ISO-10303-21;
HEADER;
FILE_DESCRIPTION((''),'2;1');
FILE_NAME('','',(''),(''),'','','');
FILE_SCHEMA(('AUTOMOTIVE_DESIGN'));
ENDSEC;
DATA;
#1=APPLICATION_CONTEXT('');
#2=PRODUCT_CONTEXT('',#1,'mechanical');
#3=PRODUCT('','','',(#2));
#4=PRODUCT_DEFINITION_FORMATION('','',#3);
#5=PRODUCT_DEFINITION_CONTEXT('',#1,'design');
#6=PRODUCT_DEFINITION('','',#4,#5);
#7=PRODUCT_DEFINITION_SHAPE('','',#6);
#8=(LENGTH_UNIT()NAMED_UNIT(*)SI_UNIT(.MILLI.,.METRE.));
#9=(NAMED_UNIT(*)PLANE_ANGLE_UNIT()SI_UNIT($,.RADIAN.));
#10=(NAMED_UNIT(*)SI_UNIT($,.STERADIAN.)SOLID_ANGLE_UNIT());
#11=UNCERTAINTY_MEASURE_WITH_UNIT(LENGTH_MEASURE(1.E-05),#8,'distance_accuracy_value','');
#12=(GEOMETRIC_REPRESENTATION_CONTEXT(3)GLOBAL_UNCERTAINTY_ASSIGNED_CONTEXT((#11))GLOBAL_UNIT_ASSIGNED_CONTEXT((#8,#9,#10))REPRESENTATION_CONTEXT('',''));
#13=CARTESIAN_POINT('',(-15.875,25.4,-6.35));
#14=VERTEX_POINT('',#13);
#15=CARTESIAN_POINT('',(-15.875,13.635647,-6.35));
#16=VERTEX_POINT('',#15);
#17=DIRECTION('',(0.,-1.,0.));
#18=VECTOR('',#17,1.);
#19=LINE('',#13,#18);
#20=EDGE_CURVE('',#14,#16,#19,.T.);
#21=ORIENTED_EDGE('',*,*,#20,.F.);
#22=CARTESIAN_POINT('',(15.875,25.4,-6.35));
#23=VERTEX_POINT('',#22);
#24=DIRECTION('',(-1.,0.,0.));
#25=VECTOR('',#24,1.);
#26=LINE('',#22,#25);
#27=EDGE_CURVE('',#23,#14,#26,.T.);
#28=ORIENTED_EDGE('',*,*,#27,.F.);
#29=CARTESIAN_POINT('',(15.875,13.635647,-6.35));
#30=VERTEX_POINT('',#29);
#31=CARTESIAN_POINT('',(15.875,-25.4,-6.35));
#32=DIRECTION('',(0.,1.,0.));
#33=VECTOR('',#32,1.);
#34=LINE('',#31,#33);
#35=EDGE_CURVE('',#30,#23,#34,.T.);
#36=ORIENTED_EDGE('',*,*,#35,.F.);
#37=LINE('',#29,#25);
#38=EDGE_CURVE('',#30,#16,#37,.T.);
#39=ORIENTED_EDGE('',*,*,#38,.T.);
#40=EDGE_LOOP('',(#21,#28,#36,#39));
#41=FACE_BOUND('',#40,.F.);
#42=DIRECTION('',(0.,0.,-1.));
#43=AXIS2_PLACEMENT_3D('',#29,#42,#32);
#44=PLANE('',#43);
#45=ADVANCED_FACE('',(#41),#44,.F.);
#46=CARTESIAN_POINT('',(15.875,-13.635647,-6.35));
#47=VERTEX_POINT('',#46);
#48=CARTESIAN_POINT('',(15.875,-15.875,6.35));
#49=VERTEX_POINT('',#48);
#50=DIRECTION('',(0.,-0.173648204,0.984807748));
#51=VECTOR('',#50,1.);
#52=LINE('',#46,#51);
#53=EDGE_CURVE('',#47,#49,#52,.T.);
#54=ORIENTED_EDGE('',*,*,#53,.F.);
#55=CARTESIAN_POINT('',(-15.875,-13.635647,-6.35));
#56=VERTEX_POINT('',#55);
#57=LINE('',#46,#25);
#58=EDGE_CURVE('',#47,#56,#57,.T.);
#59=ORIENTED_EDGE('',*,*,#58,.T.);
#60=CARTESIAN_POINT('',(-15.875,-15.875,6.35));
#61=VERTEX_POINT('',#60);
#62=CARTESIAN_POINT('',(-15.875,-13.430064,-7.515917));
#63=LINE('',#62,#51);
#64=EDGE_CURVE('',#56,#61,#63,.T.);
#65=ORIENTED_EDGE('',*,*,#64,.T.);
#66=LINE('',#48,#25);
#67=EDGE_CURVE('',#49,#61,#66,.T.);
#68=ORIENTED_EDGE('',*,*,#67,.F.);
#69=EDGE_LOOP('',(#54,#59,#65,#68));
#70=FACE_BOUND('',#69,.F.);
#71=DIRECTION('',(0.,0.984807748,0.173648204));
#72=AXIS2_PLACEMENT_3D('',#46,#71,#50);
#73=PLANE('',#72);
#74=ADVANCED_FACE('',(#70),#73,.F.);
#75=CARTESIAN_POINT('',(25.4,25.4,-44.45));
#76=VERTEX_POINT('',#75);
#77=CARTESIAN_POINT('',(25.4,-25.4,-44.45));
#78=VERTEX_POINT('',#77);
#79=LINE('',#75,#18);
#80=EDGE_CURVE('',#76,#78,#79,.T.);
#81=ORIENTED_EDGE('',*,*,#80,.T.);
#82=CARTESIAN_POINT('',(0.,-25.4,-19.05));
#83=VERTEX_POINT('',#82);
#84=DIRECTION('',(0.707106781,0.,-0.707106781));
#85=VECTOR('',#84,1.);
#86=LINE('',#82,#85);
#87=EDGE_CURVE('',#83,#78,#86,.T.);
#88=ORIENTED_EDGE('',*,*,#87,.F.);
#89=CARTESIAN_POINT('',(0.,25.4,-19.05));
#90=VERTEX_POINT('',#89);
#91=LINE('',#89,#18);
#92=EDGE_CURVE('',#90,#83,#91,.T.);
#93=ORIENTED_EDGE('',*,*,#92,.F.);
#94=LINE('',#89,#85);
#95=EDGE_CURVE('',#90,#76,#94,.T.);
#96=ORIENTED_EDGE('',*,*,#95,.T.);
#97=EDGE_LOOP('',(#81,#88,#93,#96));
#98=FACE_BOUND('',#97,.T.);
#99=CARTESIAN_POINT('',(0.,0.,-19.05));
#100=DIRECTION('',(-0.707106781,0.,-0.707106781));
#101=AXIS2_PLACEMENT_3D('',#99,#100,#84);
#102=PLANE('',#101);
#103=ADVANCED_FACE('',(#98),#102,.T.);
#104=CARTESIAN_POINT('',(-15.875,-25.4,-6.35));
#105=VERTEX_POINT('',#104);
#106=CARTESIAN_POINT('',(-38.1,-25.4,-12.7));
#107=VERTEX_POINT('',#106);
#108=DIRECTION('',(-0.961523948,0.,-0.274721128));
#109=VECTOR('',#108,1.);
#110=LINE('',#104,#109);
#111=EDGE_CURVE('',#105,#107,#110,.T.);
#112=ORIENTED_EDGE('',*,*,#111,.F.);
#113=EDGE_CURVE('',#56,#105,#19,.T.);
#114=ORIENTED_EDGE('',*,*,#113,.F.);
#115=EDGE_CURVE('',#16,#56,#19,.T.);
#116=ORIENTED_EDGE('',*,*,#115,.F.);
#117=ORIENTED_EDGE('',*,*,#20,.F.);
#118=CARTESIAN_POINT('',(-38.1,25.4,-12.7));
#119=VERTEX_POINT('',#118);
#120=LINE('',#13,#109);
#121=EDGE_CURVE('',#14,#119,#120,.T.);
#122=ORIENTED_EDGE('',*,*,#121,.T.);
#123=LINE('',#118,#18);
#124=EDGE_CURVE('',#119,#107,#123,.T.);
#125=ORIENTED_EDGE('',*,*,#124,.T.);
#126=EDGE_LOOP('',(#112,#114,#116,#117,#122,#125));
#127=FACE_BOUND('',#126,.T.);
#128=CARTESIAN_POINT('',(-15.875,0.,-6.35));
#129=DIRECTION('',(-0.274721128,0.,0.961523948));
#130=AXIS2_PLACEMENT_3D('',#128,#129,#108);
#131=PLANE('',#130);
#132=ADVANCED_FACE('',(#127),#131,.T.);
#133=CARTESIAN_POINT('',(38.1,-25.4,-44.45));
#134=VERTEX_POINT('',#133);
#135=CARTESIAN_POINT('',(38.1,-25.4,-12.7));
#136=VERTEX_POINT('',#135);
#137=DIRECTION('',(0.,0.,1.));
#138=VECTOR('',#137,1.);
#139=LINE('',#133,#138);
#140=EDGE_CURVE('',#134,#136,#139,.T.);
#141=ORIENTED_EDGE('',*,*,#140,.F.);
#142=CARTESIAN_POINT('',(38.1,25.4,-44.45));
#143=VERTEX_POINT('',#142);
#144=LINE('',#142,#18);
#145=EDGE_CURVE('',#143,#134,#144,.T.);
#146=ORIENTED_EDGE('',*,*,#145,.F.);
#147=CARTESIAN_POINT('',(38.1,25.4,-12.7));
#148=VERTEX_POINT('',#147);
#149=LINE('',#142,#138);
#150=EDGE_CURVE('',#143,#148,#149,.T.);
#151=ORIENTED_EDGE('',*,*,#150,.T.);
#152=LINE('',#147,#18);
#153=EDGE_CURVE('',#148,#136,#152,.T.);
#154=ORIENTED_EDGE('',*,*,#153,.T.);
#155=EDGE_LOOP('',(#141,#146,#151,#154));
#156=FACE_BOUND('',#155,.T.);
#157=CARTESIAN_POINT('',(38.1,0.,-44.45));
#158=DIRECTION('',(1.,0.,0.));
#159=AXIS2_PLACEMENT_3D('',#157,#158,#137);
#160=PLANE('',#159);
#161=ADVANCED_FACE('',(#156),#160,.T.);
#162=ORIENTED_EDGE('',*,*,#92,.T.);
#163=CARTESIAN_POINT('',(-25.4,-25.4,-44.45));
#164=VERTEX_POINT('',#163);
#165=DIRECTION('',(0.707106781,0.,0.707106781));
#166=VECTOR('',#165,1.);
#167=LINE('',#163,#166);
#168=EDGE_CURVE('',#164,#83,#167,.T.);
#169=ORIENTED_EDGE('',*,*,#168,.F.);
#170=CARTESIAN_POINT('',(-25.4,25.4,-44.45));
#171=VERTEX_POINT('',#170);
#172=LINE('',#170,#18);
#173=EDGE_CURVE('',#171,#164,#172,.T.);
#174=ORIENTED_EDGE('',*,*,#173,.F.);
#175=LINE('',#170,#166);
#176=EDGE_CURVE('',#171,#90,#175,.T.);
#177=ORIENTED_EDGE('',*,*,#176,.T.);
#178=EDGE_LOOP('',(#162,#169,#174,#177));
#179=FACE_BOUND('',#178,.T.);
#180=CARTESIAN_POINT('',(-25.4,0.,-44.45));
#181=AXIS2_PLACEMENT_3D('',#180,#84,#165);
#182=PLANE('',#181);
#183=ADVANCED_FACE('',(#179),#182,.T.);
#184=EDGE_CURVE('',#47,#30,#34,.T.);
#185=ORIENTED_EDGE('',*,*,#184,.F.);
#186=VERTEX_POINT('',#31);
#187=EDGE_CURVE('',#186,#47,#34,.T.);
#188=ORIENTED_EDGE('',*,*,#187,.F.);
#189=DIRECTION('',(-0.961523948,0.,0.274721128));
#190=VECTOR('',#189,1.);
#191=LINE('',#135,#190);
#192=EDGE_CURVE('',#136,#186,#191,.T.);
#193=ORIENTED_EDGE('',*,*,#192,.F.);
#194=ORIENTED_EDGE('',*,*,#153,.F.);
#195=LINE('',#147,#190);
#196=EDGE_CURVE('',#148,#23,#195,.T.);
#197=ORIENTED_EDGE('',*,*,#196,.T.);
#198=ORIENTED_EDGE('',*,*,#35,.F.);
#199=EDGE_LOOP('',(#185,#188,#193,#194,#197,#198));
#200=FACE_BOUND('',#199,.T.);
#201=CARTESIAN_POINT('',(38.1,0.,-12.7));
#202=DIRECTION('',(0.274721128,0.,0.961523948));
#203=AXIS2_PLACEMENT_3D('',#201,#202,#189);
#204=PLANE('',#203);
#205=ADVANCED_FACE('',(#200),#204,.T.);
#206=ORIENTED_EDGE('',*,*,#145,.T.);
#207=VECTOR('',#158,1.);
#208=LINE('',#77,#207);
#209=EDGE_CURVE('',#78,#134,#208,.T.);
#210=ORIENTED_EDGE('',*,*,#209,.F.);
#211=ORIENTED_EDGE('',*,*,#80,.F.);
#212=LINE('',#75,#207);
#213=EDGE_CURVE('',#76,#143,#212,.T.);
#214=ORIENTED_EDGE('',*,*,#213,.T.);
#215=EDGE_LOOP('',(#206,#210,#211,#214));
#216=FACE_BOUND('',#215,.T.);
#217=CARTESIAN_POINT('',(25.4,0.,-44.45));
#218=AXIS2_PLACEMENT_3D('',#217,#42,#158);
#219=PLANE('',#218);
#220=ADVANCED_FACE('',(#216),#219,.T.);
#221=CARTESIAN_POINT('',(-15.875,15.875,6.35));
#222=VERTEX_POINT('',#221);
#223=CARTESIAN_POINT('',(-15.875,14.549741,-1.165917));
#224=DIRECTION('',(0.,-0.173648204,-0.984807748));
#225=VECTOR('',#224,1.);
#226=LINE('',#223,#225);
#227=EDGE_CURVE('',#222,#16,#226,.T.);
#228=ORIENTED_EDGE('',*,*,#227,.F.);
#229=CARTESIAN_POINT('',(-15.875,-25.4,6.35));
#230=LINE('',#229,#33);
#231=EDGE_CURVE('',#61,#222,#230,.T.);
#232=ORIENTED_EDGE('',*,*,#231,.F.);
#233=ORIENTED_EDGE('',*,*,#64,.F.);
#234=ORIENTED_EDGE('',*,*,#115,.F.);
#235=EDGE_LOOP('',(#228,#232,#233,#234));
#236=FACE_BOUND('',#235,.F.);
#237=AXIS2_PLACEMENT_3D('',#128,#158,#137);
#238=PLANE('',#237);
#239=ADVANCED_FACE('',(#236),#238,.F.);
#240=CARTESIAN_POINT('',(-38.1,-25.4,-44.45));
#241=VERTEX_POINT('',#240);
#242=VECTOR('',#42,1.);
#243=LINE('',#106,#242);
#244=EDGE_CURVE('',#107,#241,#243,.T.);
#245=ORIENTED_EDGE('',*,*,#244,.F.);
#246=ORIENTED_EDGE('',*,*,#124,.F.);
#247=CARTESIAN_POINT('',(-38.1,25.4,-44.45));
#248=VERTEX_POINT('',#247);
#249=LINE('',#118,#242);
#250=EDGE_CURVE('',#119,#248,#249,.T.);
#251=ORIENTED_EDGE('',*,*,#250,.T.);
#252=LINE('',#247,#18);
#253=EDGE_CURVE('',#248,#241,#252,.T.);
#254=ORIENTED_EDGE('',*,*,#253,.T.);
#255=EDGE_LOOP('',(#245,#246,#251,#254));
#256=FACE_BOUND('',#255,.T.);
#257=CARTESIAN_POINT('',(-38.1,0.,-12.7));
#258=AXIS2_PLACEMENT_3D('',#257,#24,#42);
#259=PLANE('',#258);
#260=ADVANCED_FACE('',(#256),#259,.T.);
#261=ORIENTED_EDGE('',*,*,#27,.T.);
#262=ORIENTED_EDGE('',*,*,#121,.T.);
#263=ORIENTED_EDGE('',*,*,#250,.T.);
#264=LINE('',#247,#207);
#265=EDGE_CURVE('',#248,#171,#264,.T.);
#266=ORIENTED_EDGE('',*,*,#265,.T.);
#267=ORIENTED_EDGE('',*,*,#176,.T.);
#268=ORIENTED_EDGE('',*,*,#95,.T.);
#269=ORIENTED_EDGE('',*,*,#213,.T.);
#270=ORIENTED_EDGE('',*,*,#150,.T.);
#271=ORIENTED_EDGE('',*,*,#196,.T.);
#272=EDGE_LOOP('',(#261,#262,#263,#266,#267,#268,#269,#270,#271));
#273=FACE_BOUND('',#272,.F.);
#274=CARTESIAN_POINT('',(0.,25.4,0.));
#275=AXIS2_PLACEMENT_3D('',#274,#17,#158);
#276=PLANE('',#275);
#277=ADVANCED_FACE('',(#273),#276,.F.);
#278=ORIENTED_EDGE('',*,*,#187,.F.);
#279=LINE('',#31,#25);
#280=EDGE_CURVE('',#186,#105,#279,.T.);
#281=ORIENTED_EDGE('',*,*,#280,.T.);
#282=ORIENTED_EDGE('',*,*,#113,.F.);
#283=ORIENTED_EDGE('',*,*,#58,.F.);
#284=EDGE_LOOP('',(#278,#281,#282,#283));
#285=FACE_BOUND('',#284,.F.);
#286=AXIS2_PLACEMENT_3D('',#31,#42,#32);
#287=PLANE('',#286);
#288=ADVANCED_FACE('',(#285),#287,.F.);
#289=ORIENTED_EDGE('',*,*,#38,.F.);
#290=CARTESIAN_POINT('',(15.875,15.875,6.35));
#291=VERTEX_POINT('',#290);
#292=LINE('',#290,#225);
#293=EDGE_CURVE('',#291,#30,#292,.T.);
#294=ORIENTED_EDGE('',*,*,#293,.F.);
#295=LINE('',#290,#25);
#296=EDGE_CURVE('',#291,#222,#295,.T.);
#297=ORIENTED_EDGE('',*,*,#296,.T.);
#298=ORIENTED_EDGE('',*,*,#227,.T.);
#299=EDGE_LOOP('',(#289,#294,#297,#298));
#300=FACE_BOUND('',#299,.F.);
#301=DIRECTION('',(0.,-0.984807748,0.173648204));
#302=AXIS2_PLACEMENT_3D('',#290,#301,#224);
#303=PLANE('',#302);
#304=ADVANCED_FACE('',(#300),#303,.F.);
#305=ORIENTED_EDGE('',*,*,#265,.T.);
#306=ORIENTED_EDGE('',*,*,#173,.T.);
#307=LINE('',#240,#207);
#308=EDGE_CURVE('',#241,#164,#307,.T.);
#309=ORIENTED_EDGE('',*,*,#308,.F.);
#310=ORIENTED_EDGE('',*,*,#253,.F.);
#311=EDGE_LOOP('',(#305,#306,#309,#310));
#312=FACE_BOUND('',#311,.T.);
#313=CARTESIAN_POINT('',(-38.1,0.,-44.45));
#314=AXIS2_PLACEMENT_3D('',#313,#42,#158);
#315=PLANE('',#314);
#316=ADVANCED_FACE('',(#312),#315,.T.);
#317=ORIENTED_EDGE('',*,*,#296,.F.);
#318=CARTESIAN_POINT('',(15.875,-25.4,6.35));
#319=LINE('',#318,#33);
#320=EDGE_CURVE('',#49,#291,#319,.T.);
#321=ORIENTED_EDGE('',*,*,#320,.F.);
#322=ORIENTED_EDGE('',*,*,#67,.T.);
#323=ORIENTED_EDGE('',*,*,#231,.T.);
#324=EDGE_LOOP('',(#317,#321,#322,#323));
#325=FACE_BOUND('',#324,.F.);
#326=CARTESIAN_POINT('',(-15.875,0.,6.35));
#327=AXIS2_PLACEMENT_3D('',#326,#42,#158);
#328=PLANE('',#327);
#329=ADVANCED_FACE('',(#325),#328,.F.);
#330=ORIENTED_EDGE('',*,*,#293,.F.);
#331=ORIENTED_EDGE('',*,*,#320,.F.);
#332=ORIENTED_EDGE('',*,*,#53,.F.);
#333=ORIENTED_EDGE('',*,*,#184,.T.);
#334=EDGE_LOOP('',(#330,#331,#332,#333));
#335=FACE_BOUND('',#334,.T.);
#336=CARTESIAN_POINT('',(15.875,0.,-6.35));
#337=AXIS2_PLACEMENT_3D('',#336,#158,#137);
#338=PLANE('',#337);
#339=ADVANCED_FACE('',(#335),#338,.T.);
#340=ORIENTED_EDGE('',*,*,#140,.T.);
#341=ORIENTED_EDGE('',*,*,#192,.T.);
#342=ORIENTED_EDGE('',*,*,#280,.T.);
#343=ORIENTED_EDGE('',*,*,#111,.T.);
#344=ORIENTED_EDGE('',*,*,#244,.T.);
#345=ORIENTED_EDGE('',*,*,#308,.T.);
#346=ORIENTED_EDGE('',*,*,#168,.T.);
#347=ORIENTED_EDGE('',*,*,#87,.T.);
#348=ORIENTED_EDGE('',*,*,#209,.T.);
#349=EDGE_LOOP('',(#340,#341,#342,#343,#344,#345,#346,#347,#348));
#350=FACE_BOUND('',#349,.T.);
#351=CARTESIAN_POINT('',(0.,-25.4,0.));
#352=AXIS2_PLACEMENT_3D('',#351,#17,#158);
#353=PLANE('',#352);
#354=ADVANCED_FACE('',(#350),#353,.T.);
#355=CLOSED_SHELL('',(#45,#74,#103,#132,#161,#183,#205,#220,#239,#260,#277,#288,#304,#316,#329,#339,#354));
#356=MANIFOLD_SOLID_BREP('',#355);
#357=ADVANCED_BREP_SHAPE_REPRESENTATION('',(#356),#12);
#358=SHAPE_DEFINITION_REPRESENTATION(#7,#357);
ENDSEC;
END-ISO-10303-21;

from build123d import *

# Parameters (mm, degrees)
F0_W     = 31.75
F0_H     = 12.7
F1_DEPTH = 25.4
F3_DEPTH = 53.976


with BuildPart() as f1:
    # F0 (on Front) → F1 (new body, symmetric)
    with BuildSketch(Plane.XZ):
        Rectangle(F0_W, F0_H)
        Polygon((15.875, -6.35), (-15.875, -6.35), (-38.1, -12.7), (-38.1, -44.45), (-25.4, -44.45), (0, -19.05), (25.4, -44.45), (38.1, -44.45), (38.1, -12.7), align=None)
    extrude(amount=F1_DEPTH, both=True)

    # F2 (on face) → F3 (cut, through all)
    with BuildSketch(Plane.YZ.offset(15.875)):
        Polygon((-13.635647, -6.35), (-15.875, 6.35), (-25.4, 6.35), (-25.4, -6.35), align=None)
        Polygon((25.4, 6.35), (15.875, 6.35), (13.635647, -6.35), (25.4, -6.35), align=None)
    extrude(amount=-F3_DEPTH, mode=Mode.SUBTRACT)


solid = f1.part
